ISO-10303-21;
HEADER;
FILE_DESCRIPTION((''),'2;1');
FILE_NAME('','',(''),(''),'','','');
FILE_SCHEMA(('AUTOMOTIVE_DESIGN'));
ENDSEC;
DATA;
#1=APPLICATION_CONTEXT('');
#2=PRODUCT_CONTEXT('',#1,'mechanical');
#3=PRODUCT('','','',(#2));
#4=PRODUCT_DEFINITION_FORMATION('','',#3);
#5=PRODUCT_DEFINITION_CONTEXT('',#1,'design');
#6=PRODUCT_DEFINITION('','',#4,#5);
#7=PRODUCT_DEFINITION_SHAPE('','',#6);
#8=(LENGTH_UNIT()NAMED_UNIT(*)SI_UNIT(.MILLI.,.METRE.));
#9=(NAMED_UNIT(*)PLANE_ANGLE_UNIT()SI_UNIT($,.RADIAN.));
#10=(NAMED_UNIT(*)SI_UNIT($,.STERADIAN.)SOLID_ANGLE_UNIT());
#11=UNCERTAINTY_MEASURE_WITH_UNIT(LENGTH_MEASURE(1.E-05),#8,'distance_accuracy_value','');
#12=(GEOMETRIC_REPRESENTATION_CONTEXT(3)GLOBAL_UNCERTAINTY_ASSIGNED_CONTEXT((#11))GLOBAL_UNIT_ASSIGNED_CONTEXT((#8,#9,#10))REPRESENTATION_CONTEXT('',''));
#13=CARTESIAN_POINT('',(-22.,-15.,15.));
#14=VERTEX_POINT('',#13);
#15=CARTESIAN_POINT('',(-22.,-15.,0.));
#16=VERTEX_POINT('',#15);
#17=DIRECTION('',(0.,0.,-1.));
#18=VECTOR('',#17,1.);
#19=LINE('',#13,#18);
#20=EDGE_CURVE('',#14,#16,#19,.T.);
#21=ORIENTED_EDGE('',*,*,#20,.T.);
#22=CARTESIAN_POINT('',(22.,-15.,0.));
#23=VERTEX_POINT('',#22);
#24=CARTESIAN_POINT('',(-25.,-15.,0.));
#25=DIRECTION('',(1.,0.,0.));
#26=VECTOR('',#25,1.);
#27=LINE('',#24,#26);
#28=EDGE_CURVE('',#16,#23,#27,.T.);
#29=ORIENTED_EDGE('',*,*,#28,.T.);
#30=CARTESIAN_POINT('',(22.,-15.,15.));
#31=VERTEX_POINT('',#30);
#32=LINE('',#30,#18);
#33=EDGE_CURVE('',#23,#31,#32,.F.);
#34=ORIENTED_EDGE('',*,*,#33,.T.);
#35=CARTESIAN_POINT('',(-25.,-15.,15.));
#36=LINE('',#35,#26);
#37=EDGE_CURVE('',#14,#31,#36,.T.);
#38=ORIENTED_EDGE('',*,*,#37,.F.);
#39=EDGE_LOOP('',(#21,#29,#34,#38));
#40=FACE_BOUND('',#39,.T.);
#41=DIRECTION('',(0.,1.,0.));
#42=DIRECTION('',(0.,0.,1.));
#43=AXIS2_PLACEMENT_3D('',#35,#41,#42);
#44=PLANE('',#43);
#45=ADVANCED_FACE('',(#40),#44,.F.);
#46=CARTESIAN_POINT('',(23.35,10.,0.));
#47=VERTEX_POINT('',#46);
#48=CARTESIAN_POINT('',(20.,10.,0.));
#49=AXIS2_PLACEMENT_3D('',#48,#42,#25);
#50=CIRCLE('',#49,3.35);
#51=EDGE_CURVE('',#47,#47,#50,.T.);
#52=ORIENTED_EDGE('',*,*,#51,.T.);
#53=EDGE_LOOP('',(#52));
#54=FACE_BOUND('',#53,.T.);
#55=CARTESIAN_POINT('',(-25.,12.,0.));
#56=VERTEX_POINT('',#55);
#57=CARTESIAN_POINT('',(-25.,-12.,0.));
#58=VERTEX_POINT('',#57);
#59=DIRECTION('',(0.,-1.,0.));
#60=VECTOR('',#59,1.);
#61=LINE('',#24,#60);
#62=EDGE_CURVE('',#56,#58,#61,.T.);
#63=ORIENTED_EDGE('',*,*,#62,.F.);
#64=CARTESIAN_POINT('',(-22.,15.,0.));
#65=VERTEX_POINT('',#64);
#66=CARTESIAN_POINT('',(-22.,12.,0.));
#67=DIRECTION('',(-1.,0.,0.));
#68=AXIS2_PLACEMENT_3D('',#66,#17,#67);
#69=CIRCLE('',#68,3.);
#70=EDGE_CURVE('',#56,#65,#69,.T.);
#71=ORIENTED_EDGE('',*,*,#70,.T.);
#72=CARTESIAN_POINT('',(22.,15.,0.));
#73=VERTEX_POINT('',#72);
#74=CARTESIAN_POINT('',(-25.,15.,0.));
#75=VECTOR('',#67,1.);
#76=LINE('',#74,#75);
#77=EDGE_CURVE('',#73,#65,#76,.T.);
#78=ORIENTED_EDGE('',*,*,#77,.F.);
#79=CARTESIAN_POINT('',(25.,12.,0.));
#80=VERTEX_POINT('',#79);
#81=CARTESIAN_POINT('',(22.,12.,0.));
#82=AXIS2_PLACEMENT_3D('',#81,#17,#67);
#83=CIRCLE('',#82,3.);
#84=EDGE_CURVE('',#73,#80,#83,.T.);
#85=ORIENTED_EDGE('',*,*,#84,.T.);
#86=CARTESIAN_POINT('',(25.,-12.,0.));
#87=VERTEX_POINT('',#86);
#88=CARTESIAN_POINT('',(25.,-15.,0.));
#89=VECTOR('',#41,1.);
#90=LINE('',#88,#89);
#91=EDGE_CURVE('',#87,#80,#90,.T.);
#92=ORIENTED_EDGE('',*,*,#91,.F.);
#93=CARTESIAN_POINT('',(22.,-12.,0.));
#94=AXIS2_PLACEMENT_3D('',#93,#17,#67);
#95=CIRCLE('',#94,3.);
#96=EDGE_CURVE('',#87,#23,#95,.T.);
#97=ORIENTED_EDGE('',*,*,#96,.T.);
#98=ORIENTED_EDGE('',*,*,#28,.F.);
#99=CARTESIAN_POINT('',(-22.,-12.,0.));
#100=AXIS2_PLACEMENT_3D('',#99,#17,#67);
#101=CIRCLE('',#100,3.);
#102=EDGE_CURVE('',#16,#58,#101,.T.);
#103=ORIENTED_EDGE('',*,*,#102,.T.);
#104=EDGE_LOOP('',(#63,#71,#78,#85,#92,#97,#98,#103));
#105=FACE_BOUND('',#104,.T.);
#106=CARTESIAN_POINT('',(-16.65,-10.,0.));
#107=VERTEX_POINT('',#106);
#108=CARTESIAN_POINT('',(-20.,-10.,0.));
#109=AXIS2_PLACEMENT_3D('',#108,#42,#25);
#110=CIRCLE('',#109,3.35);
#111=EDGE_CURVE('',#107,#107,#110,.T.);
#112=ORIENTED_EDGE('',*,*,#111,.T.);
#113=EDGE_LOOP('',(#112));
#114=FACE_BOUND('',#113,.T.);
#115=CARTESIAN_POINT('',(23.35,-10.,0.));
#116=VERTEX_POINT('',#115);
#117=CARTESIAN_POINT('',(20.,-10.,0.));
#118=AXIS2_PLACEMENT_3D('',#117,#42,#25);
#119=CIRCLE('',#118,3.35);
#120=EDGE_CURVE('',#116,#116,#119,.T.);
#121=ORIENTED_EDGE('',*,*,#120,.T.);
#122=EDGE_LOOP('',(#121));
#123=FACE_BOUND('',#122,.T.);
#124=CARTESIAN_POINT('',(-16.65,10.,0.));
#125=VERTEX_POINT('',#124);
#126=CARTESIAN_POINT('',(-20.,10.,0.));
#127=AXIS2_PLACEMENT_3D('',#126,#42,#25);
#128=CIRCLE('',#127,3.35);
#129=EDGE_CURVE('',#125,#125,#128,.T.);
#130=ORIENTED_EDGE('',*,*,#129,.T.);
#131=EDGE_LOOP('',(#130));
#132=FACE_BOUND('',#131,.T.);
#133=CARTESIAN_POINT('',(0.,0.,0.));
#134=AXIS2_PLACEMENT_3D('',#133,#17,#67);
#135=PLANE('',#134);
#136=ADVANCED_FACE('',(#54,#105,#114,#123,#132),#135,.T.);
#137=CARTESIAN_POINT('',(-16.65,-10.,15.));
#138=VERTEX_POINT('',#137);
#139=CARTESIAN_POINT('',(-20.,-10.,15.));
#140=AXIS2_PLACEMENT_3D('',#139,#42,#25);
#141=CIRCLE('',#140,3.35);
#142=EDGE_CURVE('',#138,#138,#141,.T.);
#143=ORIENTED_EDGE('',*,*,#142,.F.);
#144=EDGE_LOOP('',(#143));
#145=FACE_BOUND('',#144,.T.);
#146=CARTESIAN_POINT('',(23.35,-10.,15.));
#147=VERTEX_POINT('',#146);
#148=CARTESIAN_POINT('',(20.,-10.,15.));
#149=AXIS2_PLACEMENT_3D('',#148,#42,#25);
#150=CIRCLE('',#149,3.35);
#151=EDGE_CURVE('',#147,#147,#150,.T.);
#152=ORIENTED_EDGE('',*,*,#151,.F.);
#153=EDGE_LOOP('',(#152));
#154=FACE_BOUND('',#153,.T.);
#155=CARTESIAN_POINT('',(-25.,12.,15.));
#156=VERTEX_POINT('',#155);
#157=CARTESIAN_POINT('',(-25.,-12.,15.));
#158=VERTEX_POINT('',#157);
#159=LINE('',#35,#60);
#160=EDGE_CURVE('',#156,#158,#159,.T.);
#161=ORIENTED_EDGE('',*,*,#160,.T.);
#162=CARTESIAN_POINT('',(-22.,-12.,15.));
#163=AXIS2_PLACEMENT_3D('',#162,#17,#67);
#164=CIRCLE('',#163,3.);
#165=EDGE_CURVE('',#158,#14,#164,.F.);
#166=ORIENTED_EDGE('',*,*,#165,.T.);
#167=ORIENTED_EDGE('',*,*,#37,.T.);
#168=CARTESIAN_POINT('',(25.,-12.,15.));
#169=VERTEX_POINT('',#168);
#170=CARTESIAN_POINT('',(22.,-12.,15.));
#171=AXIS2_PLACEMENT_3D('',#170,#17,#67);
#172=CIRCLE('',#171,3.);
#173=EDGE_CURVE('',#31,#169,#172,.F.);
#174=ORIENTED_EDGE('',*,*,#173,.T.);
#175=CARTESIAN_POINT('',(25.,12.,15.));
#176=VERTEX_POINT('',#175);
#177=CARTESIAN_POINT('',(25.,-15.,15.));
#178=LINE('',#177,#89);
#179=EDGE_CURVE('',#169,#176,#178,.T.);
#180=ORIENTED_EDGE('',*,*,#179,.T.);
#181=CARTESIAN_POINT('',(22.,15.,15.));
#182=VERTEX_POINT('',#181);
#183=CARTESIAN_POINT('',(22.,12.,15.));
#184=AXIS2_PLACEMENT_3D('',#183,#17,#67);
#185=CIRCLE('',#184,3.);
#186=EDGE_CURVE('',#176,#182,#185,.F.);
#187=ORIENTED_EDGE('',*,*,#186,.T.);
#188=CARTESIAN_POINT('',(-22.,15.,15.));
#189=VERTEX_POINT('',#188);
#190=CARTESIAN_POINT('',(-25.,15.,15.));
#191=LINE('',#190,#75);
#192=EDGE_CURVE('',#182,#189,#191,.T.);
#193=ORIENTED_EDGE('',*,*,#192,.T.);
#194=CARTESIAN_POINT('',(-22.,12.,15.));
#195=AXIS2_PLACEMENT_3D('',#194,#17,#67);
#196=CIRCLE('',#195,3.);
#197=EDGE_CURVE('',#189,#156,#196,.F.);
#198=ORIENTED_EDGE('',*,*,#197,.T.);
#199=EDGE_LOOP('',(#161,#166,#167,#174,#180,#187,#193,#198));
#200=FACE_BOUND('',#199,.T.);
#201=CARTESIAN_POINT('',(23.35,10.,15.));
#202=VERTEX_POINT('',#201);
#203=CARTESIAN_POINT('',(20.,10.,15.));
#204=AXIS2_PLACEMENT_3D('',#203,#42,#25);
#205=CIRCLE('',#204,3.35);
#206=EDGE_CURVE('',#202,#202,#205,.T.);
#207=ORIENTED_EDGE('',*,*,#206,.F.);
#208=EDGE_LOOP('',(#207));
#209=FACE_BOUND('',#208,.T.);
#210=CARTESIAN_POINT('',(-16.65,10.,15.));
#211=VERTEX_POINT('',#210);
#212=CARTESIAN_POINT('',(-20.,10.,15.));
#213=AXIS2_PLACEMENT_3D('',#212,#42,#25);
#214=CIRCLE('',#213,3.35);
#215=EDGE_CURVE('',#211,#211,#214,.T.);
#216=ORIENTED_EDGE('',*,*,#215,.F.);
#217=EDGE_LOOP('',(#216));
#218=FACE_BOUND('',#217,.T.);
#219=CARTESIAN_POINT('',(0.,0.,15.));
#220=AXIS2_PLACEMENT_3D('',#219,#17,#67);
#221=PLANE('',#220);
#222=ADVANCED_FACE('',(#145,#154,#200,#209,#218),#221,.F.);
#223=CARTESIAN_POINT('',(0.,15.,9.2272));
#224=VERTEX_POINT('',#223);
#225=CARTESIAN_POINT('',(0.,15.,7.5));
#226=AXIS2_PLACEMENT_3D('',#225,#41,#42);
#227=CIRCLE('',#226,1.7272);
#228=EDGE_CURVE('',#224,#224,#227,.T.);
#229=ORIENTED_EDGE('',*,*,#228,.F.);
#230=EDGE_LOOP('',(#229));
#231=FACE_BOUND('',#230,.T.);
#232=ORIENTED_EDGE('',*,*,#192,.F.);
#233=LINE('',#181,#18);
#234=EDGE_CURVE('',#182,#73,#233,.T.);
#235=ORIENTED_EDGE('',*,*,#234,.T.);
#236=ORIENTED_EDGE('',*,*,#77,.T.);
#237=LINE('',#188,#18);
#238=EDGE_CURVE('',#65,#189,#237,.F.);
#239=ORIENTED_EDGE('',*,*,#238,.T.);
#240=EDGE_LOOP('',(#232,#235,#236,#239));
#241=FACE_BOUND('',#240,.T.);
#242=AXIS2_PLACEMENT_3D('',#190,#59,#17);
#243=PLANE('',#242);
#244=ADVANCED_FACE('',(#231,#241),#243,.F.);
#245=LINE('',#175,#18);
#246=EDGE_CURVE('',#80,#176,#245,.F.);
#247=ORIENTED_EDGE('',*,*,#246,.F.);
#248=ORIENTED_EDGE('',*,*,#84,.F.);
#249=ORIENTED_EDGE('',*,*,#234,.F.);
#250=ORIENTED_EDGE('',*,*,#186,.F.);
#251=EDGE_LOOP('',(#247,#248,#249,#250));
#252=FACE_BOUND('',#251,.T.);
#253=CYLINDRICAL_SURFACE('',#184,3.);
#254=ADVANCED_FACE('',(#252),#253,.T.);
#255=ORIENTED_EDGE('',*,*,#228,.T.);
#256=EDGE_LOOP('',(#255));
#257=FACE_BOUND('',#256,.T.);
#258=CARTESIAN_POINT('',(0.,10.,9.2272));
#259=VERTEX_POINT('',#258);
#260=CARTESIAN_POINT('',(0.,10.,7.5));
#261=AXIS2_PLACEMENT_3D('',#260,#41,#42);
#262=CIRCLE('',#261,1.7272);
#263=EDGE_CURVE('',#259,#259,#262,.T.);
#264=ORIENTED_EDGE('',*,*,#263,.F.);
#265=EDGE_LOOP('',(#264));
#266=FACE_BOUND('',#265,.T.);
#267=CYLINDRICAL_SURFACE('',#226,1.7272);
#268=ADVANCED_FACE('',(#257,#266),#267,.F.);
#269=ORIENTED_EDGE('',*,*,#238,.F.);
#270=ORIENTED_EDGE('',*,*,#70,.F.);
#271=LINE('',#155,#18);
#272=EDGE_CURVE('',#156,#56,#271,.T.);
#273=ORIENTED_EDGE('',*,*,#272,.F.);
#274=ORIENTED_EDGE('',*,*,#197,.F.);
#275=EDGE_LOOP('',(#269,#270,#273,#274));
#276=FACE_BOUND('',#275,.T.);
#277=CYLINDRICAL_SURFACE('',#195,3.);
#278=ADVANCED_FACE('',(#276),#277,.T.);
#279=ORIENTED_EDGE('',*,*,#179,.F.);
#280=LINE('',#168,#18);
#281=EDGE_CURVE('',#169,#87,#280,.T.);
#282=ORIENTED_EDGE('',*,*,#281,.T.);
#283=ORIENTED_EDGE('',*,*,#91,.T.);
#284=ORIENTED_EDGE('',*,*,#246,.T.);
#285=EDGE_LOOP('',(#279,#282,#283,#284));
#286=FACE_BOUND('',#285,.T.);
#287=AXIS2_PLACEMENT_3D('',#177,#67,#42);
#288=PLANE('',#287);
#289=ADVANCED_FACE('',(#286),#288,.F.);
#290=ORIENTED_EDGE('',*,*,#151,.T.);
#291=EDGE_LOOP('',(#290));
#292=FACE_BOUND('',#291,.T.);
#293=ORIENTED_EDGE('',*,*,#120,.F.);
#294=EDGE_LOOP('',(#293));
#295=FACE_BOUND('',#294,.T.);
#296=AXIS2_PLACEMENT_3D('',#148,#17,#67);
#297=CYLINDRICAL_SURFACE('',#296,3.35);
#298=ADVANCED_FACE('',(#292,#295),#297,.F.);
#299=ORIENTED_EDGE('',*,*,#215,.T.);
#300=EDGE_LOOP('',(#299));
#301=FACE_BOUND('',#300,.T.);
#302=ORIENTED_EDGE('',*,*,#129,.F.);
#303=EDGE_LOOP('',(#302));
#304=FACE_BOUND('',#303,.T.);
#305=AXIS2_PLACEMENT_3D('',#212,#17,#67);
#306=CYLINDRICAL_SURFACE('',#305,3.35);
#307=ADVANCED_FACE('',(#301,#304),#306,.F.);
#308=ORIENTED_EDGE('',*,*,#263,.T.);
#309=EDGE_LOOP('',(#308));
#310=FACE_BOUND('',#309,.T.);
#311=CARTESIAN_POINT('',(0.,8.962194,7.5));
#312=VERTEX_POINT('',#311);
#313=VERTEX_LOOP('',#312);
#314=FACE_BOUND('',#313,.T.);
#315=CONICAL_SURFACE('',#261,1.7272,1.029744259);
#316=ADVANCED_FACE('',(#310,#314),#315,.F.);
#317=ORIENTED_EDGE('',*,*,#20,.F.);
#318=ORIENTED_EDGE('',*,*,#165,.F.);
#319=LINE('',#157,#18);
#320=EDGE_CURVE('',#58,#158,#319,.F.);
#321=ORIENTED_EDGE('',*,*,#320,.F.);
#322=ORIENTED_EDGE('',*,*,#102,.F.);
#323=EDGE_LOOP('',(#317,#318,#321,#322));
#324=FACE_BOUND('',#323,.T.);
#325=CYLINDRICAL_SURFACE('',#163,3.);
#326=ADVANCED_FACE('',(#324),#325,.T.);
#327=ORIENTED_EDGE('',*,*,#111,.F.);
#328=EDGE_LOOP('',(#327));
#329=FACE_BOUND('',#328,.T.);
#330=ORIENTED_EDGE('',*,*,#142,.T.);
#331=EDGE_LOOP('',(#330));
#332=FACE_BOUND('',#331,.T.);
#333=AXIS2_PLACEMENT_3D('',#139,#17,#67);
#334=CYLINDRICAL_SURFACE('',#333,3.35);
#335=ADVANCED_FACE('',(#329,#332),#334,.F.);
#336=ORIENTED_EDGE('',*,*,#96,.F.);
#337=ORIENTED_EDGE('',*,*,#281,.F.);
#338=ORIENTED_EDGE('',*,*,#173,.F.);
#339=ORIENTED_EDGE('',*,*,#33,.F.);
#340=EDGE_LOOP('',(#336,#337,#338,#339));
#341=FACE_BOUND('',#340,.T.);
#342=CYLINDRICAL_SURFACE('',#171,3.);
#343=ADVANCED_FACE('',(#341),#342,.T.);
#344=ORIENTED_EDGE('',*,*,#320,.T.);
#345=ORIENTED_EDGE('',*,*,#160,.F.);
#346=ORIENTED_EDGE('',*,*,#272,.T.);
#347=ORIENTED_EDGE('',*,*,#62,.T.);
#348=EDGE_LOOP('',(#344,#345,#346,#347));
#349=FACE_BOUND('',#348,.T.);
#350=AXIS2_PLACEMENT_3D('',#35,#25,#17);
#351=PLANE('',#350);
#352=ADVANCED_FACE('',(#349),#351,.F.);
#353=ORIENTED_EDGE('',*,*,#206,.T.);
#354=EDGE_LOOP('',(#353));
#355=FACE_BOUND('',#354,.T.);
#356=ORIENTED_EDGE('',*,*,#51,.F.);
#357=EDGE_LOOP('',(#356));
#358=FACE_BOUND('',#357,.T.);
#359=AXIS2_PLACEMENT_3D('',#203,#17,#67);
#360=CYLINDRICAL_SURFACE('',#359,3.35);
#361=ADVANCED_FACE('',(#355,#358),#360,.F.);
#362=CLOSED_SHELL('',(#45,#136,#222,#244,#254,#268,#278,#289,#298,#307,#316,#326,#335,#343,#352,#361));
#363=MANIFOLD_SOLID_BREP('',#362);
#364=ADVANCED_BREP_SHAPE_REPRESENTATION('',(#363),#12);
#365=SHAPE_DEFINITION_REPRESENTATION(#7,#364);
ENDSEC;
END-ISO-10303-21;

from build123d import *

# Parameters (mm, degrees)
SKETCH2_W                 = 50
SKETCH2_H                 = 30
SKETCH2_R                 = 3.35
BOSS_EXTRUDE1_DEPTH       = 15
F_8_32_TAPPED_HOLE1_D     = 3.4544
F_8_32_TAPPED_HOLE1_DEPTH = 5
F_8_32_TAPPED_HOLE1_TIP   = 1.037806461
FILLET1_R                 = 3
FILLET2_R                 = 3
FILLET3_R                 = 3
FILLET4_R                 = 3


with BuildPart() as part:
    # Sketch2 → Boss-Extrude1 (new body)
    with BuildSketch(Plane.XY):
        Rectangle(SKETCH2_W, SKETCH2_H)
        with Locations((20, 10)):
            Circle(SKETCH2_R, mode=Mode.SUBTRACT)
        with Locations((-20, 10)):
            Circle(SKETCH2_R, mode=Mode.SUBTRACT)
        with Locations((-20, -10)):
            Circle(SKETCH2_R, mode=Mode.SUBTRACT)
        with Locations((20, -10)):
            Circle(SKETCH2_R, mode=Mode.SUBTRACT)
    extrude(amount=BOSS_EXTRUDE1_DEPTH)

    # #8-32 Tapped Hole1
    with Locations(Plane(origin=(0, 15, 7.5), x_dir=(0, 0, 1), z_dir=(0, 1, 0))):
        with Locations((0, 0)):
            Hole(F_8_32_TAPPED_HOLE1_D / 2, depth=F_8_32_TAPPED_HOLE1_DEPTH)
            with Locations((0, 0, -(F_8_32_TAPPED_HOLE1_DEPTH + F_8_32_TAPPED_HOLE1_TIP / 2))):  # 118° drill point
                Cone(0, F_8_32_TAPPED_HOLE1_D / 2, F_8_32_TAPPED_HOLE1_TIP, mode=Mode.SUBTRACT)

    # Fillet1
    fillet1_edges = [part.edges().sort_by_distance(p)[0] for p in [
        (25, 15, 7.5),
    ]]
    fillet(fillet1_edges, radius=FILLET1_R)

    # Fillet2
    fillet2_edges = [part.edges().sort_by_distance(p)[0] for p in [
        (-25, 15, 7.5),
    ]]
    fillet(fillet2_edges, radius=FILLET2_R)

    # Fillet3
    fillet3_edges = [part.edges().sort_by_distance(p)[0] for p in [
        (25, -15, 7.5),
    ]]
    fillet(fillet3_edges, radius=FILLET3_R)

    # Fillet4
    fillet4_edges = [part.edges().sort_by_distance(p)[0] for p in [
        (-25, -15, 7.5),
    ]]
    fillet(fillet4_edges, radius=FILLET4_R)


solid = part.part
